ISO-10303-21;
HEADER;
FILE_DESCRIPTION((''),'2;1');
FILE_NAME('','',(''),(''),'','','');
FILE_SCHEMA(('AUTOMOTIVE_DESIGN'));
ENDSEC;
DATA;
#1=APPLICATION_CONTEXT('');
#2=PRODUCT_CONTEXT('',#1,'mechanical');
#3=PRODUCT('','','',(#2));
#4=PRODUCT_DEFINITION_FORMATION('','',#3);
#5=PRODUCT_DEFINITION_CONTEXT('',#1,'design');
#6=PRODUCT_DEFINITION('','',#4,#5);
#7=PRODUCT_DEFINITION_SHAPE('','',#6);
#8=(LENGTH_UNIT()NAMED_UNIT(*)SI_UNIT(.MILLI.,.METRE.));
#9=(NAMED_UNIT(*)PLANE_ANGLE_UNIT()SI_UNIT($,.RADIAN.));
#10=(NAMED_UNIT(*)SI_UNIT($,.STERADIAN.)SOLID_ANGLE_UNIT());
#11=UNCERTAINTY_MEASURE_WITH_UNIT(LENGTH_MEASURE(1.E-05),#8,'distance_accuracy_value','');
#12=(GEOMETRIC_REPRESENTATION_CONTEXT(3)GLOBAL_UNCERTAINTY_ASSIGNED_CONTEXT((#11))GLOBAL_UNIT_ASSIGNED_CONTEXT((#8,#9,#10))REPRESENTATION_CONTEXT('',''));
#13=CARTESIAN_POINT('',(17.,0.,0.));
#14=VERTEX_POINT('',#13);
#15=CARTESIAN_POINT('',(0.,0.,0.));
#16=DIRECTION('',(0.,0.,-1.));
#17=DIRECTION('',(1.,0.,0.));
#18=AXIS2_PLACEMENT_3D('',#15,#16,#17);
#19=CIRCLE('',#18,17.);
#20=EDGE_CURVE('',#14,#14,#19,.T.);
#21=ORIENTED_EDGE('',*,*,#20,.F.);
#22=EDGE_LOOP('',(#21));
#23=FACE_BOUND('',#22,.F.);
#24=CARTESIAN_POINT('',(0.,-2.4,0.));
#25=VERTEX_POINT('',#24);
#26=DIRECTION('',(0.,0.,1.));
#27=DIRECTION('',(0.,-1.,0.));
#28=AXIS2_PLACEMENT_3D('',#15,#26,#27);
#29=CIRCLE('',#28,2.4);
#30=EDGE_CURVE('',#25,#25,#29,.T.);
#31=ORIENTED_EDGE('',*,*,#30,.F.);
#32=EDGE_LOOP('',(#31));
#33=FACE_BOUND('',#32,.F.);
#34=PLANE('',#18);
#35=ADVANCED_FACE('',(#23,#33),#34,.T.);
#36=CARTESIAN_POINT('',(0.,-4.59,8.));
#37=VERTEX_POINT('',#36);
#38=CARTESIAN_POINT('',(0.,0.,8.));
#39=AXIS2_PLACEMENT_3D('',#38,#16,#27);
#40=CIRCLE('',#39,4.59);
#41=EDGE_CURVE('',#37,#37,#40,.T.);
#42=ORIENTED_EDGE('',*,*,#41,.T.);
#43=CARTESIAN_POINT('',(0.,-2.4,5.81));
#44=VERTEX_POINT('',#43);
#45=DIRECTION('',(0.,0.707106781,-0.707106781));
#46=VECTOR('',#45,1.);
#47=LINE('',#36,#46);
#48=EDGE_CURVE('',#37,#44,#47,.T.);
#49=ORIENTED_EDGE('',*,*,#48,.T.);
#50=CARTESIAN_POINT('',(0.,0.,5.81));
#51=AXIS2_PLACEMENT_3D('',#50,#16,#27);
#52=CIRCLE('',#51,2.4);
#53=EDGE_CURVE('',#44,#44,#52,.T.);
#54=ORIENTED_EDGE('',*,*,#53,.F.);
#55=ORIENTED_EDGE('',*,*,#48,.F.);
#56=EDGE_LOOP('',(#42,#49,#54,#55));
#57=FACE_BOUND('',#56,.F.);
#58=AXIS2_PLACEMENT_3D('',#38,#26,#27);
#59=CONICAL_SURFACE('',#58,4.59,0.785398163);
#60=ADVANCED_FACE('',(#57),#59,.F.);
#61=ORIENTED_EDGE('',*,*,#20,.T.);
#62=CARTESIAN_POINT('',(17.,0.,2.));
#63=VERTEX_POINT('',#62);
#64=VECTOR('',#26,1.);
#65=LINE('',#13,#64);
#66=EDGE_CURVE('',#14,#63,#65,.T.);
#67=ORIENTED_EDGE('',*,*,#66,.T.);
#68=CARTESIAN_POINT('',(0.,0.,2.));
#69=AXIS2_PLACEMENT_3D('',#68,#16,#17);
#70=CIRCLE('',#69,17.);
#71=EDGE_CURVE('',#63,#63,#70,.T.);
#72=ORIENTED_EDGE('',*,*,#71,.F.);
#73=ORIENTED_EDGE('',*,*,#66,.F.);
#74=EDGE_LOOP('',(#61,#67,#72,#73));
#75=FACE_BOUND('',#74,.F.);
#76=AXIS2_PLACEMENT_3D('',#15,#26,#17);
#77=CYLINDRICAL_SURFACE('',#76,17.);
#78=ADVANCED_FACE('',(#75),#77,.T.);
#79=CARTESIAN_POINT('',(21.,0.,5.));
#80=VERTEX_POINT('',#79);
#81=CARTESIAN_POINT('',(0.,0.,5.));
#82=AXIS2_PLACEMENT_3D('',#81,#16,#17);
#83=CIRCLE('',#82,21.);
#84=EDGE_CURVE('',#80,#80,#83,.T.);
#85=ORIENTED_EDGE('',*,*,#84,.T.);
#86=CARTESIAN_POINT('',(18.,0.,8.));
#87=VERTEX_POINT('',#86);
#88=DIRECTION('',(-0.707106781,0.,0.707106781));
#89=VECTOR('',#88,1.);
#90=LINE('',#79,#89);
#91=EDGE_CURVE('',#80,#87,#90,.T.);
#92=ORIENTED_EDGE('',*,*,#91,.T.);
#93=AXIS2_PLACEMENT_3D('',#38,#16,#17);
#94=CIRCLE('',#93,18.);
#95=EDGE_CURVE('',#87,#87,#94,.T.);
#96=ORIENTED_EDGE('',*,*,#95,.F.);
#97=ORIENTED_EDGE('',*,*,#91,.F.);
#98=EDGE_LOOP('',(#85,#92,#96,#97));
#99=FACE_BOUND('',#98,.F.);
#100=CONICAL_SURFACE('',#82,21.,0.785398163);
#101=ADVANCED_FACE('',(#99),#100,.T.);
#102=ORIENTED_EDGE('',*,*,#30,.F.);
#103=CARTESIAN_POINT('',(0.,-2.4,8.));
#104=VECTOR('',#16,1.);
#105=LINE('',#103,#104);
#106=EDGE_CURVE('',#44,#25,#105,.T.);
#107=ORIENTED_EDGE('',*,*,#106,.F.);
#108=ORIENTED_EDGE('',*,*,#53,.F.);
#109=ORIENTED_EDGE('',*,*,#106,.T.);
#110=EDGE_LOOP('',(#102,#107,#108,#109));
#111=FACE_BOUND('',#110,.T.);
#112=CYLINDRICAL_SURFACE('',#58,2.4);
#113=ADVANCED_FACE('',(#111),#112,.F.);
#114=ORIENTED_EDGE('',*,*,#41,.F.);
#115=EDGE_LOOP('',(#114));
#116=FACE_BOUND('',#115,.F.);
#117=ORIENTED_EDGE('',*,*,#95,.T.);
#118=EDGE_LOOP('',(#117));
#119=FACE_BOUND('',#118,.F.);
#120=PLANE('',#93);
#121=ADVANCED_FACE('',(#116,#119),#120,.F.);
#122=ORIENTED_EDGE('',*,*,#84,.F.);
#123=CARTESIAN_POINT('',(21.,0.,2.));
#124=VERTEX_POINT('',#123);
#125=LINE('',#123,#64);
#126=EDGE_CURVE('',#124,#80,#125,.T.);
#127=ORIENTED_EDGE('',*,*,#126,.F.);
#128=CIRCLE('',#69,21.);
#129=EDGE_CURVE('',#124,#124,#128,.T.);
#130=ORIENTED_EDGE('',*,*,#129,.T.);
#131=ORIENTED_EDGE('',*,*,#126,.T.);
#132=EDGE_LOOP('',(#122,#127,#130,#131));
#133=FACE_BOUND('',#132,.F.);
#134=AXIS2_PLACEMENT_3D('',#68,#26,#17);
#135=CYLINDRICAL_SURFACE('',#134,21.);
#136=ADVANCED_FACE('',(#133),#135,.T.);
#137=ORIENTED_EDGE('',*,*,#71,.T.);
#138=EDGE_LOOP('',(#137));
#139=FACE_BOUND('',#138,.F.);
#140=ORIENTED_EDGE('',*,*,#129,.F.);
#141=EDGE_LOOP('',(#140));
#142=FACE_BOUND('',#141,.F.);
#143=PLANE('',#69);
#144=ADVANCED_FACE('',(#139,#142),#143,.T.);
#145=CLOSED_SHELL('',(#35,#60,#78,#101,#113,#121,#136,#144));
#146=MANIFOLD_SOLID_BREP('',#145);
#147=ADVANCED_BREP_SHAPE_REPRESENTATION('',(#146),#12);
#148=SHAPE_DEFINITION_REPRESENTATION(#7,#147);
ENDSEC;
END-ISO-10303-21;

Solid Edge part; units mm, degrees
sketch "Sketch1" plane through (0, 0, 0) normal (0, -1, 0) x (1, 0, 0)
  line L0 (0, 0) -> (17, 0)
  line L1 (17, 0) -> (17, 2)
  line L2 (17, 2) -> (21, 2)
  line L3 (21, 2) -> (21, 8)
  line L4 (21, 8) -> (0, 8)
  dimension "D1" = 8
  dimension "D2" = 6
revolve "RevolvedProtrusion1" add sketch "Sketch1" angle 360 about axis through (0, 0, 10) along (0, 0, -1)
chamfer "Chamfer1" distance 3 angle 45 1 edges at (-21, 0, 8)
hole "Hole_1" at (0, 0, 8) direction (0, 0, -1) diameter 4.8 end up to next countersink diameter 9.18 countersink angle 90
properties material "Polyethylene, low density"
